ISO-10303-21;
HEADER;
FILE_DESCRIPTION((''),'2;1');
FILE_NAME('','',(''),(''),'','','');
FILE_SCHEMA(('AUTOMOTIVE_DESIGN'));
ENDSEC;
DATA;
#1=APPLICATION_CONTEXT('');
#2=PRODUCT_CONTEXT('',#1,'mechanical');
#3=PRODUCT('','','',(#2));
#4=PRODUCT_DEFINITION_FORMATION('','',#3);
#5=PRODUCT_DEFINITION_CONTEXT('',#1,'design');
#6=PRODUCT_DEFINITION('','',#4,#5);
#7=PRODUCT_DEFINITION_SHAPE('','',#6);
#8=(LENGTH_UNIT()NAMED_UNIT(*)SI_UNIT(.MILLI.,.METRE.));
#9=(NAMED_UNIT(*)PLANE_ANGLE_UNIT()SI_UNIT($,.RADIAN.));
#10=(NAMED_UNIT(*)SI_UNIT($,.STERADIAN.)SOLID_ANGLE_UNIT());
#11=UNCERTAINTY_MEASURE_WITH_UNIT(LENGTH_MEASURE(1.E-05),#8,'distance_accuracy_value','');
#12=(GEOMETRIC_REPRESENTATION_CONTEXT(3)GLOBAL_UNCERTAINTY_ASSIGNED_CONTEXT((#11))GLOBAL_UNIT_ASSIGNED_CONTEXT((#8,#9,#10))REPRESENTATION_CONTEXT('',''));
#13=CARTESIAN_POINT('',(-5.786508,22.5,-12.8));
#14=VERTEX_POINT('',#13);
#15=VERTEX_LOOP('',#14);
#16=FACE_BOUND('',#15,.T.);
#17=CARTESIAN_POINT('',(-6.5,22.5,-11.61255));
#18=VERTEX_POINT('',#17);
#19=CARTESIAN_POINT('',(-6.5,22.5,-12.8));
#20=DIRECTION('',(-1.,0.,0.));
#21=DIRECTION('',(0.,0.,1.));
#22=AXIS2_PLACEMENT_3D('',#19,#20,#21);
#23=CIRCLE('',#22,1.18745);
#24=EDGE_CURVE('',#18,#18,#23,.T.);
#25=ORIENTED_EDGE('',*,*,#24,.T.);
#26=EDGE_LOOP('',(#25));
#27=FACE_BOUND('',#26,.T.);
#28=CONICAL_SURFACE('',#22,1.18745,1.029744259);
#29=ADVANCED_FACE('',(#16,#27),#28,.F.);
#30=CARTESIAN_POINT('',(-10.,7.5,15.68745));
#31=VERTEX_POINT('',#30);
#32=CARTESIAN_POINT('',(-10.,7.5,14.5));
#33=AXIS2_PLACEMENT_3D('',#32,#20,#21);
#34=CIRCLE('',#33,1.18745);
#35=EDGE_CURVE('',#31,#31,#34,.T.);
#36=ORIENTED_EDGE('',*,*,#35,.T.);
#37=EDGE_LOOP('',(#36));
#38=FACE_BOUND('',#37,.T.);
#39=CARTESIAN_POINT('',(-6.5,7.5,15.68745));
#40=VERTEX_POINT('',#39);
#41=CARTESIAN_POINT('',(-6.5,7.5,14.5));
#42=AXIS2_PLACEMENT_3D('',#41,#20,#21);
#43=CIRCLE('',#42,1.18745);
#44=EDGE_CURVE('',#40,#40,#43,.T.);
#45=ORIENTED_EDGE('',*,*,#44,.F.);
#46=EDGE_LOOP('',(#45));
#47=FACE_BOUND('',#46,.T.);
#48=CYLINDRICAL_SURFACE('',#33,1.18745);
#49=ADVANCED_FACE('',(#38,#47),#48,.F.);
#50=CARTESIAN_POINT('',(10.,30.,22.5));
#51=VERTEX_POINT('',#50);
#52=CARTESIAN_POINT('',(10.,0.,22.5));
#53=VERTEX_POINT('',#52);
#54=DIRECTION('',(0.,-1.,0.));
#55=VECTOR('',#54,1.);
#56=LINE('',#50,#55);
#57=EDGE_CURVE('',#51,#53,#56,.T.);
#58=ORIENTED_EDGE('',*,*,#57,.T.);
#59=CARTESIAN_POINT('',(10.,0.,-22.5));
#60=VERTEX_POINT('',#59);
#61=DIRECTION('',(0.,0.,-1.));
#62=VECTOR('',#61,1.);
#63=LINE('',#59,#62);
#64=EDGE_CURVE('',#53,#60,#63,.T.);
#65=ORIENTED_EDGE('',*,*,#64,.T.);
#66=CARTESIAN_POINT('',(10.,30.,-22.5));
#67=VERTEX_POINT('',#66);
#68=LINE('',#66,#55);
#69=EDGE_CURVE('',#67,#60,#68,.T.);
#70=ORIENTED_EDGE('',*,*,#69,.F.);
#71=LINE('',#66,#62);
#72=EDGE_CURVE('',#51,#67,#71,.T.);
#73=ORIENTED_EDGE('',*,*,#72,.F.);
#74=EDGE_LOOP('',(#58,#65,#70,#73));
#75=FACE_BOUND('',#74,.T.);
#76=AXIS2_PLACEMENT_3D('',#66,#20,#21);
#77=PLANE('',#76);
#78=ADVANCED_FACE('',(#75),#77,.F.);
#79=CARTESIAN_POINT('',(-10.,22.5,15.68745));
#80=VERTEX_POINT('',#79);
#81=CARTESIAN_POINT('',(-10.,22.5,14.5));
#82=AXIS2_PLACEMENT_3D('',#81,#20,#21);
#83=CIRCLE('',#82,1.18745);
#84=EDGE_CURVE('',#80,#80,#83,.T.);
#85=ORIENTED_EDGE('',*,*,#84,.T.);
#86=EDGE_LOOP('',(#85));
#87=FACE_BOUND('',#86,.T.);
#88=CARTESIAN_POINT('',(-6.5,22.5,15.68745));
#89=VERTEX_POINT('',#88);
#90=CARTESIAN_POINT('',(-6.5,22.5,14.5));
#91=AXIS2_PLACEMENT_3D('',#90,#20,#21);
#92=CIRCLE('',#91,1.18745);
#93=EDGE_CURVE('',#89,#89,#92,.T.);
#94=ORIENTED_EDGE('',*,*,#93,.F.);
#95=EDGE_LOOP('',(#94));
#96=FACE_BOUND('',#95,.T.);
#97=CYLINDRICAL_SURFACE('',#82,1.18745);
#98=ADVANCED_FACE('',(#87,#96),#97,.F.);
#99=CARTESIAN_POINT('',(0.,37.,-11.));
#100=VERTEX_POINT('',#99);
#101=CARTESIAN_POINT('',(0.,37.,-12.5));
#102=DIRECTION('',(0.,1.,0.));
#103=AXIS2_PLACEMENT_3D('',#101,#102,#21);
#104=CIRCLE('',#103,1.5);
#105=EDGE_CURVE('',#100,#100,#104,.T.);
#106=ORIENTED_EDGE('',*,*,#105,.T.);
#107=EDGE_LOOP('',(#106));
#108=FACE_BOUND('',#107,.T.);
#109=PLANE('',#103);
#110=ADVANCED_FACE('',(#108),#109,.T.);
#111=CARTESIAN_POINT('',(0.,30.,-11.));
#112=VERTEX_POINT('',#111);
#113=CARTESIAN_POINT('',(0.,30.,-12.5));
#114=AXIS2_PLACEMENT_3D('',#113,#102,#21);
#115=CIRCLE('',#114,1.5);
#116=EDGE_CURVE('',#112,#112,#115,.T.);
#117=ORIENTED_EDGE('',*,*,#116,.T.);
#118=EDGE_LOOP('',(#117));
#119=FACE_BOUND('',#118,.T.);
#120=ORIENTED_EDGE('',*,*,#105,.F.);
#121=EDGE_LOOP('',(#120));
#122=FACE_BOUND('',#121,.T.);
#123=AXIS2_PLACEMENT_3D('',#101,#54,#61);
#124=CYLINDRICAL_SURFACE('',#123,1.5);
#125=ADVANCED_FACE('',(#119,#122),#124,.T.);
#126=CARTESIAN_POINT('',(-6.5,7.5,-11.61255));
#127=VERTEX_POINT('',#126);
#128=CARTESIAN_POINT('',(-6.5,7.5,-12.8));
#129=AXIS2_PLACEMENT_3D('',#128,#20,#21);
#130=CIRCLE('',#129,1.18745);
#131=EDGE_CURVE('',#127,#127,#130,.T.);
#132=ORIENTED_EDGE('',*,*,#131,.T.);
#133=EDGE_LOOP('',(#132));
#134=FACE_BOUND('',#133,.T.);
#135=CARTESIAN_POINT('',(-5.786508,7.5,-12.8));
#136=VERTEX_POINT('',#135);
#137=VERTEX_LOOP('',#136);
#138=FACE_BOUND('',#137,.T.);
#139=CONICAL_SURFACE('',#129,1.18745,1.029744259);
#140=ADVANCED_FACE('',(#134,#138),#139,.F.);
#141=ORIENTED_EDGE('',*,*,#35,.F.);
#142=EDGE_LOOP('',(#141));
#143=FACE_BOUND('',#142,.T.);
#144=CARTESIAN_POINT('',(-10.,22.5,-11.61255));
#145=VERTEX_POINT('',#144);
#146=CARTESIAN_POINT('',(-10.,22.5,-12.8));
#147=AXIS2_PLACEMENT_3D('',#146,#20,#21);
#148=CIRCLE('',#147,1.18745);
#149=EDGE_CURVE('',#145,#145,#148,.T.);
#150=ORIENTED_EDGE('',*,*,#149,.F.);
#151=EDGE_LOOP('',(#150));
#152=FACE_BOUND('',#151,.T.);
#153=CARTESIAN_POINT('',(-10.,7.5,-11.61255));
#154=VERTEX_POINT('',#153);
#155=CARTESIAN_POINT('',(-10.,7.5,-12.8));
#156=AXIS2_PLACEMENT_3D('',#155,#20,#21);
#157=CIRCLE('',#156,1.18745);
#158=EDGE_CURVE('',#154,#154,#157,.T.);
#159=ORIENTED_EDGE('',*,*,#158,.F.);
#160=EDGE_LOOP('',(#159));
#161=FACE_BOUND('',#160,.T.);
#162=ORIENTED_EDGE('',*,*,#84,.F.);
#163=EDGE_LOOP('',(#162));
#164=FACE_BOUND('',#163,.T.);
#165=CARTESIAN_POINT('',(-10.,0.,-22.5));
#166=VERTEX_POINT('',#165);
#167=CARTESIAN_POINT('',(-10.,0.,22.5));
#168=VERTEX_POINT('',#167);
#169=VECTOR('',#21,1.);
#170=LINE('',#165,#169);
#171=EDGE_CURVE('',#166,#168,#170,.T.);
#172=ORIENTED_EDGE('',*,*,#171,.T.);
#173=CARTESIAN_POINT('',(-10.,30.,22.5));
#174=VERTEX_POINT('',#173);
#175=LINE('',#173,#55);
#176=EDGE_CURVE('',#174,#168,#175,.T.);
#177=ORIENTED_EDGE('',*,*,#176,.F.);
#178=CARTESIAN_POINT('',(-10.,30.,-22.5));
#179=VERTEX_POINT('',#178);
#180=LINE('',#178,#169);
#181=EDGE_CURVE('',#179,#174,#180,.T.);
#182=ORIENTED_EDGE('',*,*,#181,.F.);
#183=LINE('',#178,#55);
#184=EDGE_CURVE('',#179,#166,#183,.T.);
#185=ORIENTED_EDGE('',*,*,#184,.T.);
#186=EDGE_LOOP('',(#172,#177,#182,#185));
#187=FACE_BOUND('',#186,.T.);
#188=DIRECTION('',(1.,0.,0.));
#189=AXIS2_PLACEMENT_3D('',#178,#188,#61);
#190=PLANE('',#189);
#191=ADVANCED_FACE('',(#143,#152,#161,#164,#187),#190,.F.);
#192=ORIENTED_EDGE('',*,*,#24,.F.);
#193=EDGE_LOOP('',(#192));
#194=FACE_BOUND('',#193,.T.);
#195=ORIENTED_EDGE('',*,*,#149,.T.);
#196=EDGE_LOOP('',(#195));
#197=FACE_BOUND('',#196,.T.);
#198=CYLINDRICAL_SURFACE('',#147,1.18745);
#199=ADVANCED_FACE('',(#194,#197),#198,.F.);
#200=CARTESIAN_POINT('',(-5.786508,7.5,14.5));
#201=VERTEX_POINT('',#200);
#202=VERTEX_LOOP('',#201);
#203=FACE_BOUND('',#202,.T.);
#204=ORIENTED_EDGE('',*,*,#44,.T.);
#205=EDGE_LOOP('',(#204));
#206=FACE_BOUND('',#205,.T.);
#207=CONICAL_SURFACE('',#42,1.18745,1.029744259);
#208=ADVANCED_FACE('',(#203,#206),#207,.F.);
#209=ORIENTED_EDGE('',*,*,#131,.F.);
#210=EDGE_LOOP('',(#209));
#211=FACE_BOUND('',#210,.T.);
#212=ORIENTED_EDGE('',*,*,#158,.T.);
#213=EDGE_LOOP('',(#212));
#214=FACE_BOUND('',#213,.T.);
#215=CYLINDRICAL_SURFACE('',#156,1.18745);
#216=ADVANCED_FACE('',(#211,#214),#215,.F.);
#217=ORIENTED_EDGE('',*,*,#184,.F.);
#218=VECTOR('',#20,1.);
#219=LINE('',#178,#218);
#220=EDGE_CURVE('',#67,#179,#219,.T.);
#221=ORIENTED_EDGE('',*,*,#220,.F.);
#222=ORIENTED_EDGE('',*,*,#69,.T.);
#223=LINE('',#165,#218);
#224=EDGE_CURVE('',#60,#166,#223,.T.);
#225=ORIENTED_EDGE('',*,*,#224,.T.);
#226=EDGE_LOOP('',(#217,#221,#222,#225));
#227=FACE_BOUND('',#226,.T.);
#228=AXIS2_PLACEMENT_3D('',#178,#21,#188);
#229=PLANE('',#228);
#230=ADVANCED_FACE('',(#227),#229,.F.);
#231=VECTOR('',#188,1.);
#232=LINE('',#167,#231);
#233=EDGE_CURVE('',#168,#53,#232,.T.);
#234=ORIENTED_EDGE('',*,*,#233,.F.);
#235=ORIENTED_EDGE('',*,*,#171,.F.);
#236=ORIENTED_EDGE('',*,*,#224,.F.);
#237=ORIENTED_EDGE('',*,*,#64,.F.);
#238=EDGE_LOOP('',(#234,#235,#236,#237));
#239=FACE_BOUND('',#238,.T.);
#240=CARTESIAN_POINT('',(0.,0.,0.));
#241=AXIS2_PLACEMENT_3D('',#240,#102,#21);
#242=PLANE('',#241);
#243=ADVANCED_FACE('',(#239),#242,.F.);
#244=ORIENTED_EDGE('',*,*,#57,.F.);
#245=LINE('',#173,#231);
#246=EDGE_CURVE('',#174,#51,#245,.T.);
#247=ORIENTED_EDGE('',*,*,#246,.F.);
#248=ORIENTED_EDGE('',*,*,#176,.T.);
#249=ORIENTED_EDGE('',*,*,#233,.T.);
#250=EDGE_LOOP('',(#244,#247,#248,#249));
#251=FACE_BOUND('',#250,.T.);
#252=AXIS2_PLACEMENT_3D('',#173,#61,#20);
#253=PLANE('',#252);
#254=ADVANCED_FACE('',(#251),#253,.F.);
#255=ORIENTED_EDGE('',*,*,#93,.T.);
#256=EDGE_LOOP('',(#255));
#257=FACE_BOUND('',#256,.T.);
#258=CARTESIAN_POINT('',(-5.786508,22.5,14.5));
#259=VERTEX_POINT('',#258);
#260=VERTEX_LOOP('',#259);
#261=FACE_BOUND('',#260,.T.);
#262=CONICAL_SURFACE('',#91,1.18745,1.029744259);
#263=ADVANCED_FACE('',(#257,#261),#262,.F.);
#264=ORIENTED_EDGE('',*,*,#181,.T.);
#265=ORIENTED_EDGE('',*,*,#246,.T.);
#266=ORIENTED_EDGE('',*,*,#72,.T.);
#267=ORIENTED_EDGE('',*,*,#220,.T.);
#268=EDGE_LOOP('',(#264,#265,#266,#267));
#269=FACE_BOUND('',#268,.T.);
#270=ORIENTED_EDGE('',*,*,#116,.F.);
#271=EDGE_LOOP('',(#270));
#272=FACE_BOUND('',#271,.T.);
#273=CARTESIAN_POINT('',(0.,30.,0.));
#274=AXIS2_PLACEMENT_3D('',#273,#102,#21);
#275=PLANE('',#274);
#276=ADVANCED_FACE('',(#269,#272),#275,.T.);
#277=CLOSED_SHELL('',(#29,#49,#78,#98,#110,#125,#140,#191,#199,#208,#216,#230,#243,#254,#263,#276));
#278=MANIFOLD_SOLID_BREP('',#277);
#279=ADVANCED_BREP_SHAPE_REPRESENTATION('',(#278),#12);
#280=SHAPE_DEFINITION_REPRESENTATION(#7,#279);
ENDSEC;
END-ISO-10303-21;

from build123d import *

# Parameters (mm, degrees)
SKETCH1_W                 = 20
SKETCH1_H                 = 45
BOSS_EXTRUDE1_DEPTH       = 30
SKETCH2_R                 = 1.5
BOSS_EXTRUDE2_DEPTH       = 7
F_4_48_TAPPED_HOLE1_D     = 2.3749
F_4_48_TAPPED_HOLE1_DEPTH = 3.5
F_4_48_TAPPED_HOLE1_TIP   = 0.713491942


with BuildPart() as part:
    # Sketch1 → Boss-Extrude1 (new body)
    with BuildSketch(Plane(origin=(0, 0, 0), x_dir=(1, 0, 0), z_dir=(0, 1, 0))):
        Rectangle(SKETCH1_W, SKETCH1_H)
    extrude(amount=BOSS_EXTRUDE1_DEPTH)

    # Sketch2 → Boss-Extrude2 (add)
    with BuildSketch(Plane(origin=(0, 30, 0), x_dir=(1, 0, 0), z_dir=(0, 1, 0))):
        with Locations((0, 12.5)):
            Circle(SKETCH2_R)
    extrude(amount=BOSS_EXTRUDE2_DEPTH)

    # #4-48 Tapped Hole1
    with Locations(Plane.ZY.offset(10)):
        with Locations((-12.8, 7.5), (-12.8, 22.5), (14.5, 22.5), (14.5, 7.5)):
            Hole(F_4_48_TAPPED_HOLE1_D / 2, depth=F_4_48_TAPPED_HOLE1_DEPTH)
            with Locations((0, 0, -(F_4_48_TAPPED_HOLE1_DEPTH + F_4_48_TAPPED_HOLE1_TIP / 2))):  # 118° drill point
                Cone(0, F_4_48_TAPPED_HOLE1_D / 2, F_4_48_TAPPED_HOLE1_TIP, mode=Mode.SUBTRACT)


solid = part.part
